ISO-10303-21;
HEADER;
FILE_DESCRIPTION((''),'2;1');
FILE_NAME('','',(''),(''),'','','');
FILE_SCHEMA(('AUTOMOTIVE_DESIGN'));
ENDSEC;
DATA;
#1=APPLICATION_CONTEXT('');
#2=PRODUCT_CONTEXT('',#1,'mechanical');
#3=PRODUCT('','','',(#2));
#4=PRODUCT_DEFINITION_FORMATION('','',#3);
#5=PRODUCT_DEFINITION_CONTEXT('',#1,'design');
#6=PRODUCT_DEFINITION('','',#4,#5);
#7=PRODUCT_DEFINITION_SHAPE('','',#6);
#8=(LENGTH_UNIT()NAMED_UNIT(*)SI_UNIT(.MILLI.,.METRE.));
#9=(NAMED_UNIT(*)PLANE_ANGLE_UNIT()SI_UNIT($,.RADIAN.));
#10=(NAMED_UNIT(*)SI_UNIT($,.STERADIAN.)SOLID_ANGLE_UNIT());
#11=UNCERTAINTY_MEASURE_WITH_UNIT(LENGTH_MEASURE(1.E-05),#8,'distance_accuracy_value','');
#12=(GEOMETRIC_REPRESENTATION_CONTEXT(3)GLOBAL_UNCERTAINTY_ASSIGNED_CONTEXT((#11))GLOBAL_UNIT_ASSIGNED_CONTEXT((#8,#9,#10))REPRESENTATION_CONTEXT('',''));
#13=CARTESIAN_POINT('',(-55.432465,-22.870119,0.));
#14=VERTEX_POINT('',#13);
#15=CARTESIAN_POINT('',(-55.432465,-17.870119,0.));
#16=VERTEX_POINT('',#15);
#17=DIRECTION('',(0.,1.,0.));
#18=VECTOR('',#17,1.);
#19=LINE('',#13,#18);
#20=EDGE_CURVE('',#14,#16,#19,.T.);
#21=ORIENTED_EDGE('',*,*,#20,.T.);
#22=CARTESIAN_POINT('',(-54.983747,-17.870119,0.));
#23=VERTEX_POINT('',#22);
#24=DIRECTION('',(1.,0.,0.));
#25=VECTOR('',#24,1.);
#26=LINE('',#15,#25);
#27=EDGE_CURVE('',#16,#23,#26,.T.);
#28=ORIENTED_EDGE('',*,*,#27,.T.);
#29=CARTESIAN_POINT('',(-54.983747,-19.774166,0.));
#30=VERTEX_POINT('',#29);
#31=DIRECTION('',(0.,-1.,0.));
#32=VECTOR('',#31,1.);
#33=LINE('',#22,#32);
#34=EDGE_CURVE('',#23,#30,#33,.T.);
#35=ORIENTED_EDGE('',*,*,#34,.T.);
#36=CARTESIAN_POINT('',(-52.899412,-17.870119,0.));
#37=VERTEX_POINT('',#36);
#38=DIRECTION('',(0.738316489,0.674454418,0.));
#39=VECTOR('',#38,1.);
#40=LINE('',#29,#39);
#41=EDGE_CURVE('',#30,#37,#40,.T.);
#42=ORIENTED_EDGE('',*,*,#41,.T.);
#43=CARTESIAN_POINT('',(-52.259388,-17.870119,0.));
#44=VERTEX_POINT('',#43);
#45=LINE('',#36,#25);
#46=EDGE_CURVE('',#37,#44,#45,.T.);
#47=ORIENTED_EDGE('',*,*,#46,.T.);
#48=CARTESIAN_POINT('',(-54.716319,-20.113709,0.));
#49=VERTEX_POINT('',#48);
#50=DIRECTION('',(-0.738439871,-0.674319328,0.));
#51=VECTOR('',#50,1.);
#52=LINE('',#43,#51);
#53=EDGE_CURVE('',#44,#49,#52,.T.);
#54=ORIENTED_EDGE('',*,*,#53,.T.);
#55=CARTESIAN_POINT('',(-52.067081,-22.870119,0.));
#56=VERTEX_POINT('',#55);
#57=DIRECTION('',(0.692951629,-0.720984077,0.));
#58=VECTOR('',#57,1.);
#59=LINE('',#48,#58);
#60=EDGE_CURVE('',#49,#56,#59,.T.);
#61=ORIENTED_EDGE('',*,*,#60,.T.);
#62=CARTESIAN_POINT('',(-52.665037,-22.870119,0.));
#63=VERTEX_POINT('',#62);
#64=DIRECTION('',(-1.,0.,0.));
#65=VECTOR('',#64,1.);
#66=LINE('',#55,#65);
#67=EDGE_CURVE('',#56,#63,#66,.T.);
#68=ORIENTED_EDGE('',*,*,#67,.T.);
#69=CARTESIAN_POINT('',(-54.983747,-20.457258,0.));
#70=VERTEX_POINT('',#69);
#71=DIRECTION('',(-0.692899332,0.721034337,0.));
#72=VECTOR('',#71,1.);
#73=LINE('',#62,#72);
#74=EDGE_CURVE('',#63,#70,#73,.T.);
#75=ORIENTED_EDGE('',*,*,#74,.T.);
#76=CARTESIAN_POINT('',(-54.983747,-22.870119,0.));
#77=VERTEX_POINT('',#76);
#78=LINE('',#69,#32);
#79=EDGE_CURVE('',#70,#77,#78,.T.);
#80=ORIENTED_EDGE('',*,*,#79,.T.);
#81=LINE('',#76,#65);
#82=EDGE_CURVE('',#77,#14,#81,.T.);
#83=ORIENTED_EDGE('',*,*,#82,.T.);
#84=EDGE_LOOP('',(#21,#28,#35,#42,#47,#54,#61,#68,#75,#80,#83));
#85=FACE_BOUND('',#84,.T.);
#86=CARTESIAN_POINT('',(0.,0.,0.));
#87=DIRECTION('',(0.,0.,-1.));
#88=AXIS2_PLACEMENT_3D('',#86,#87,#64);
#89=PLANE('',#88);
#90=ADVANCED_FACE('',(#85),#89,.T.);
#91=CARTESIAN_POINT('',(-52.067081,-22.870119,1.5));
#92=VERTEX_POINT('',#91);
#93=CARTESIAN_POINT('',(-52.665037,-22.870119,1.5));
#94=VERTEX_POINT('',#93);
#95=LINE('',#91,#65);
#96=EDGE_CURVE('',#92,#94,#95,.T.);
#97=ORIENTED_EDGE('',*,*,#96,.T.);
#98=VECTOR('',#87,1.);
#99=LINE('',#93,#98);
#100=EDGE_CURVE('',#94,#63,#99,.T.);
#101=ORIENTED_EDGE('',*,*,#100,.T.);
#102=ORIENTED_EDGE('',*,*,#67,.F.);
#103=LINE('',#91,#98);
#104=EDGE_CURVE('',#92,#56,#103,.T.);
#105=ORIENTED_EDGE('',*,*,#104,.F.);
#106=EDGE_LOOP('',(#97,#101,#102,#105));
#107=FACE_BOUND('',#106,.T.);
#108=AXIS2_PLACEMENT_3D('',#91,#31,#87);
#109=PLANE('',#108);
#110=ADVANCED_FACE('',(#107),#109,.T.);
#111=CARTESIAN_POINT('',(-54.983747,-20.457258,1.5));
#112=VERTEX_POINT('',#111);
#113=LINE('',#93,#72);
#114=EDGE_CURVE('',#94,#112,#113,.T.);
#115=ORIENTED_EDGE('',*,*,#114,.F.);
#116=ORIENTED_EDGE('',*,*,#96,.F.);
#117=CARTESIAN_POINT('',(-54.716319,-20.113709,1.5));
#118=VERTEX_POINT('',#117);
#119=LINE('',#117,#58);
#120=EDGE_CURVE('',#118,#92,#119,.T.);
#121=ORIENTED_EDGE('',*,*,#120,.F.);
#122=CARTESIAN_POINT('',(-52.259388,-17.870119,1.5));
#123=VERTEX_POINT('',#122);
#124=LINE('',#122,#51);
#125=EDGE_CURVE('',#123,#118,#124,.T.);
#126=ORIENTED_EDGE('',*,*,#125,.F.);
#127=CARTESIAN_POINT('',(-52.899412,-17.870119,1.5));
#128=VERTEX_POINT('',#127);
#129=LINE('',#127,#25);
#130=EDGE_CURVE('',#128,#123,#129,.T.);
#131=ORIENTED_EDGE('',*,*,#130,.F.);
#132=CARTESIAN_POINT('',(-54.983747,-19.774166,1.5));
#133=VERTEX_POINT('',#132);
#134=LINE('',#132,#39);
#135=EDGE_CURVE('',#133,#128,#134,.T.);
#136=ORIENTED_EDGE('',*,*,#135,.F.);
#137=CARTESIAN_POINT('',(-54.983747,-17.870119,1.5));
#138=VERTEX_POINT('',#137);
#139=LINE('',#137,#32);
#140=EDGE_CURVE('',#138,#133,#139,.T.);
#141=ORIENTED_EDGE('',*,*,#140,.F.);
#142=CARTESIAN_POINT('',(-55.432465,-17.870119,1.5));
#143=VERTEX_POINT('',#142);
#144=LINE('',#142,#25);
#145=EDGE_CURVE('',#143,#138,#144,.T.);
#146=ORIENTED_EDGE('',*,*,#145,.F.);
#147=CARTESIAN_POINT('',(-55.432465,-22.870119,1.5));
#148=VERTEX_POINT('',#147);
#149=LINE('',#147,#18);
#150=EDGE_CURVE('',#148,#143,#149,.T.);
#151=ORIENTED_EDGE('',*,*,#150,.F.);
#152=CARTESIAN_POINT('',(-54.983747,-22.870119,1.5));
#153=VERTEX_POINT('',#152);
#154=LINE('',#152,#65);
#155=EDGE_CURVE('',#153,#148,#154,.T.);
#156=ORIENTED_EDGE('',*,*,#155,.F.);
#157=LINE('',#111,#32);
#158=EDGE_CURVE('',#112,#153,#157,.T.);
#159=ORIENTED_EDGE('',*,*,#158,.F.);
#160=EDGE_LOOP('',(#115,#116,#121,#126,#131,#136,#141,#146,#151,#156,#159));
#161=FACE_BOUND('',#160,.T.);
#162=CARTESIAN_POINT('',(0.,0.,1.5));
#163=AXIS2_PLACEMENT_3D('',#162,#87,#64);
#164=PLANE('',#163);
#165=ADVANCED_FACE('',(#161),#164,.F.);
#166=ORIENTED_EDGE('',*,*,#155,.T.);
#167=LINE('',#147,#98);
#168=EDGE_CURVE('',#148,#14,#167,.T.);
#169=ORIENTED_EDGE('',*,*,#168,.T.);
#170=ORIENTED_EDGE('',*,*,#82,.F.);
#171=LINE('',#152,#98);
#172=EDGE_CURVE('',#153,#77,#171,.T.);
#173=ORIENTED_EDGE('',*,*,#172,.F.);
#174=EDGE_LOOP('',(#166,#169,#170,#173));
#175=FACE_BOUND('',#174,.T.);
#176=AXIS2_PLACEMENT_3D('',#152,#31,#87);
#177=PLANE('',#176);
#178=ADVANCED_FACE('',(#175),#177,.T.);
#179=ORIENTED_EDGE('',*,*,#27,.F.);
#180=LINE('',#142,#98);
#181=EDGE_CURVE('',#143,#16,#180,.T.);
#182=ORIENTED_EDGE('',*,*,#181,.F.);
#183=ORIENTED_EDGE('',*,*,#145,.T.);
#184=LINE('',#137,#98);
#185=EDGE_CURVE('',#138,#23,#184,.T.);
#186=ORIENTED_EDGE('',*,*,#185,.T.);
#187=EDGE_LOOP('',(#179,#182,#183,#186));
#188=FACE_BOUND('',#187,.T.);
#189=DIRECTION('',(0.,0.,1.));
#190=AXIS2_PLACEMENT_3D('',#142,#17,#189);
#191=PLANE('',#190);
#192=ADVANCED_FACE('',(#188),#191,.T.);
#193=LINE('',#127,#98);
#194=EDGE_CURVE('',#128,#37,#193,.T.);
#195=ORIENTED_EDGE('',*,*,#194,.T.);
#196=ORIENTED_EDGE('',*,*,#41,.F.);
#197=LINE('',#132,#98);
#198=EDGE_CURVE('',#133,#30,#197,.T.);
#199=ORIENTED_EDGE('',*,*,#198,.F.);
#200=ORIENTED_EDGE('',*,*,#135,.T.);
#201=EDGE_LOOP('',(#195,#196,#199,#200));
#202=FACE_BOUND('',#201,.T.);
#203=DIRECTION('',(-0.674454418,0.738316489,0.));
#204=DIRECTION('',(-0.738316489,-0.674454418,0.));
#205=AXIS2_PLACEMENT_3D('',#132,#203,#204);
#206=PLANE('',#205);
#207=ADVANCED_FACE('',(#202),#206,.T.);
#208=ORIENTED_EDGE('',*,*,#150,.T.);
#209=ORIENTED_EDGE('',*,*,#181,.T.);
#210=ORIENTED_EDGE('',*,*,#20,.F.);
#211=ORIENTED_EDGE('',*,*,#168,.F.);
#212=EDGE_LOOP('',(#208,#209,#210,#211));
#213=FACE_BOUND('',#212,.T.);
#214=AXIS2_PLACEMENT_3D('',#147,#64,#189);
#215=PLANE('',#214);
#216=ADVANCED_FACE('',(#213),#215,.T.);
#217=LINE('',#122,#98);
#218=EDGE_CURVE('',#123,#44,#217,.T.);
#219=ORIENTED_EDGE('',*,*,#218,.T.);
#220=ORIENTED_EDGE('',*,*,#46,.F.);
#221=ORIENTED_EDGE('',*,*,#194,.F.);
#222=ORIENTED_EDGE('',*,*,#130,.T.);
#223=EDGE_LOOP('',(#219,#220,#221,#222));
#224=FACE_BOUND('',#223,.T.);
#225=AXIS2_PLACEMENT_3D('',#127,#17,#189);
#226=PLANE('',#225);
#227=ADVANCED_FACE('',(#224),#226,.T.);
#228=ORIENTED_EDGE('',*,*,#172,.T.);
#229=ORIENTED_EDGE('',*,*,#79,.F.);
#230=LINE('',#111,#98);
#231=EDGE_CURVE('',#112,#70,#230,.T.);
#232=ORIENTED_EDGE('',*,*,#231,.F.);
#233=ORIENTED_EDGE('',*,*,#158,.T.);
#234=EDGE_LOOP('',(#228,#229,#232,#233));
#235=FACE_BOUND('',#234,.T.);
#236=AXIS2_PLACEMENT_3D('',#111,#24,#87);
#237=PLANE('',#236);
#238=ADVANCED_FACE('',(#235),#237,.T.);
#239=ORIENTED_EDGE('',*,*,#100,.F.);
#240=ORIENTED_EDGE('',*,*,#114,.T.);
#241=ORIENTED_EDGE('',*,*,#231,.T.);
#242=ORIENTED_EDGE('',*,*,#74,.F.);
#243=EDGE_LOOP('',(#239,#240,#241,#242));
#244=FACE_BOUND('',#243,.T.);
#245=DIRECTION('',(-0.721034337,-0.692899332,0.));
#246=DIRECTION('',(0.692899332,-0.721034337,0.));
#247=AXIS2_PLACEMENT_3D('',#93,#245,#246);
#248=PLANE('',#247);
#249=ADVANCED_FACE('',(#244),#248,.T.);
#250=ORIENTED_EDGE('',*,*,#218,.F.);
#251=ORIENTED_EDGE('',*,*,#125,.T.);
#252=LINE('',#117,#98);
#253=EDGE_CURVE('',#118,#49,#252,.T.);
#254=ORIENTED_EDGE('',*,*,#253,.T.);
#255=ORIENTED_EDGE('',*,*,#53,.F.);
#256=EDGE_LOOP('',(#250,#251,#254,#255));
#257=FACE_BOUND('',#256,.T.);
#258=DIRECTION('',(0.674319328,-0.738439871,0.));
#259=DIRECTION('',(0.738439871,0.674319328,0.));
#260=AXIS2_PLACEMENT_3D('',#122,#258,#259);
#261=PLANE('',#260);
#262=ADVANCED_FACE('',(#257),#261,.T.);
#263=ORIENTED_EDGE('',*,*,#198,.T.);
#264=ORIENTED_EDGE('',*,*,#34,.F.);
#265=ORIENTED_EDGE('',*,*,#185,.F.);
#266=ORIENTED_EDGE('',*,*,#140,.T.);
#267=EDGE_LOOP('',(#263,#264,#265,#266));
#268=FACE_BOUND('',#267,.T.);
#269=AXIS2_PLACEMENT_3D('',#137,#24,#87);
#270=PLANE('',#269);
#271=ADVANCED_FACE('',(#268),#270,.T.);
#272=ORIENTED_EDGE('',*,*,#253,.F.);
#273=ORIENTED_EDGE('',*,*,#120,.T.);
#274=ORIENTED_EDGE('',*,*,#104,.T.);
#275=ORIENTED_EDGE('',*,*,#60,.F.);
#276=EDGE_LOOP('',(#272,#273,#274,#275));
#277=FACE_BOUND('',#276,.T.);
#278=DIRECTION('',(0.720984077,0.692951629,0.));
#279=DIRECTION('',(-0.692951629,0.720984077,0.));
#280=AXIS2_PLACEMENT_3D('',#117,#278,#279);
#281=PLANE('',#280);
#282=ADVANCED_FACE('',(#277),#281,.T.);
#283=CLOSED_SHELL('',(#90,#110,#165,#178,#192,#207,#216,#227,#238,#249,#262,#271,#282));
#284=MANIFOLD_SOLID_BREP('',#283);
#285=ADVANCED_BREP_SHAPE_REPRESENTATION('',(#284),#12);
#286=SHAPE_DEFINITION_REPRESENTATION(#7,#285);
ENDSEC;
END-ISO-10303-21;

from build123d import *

# Parameters (mm, degrees)
BOSS_EXTRU_1_DEPTH = 1.5


with BuildPart() as part:
    # Esquisse1 → Boss.-Extru.1 (new body)
    with BuildSketch(Plane.XY):
        Polygon((-55.432465326, -17.870119076), (-54.983747377, -17.870119076), (-54.983747377, -19.774165551), (-52.899412441, -17.870119076), (-52.259388403, -17.870119076), (-54.716319493, -20.11370882), (-52.06708071, -22.870119076), (-52.665037441, -22.870119076), (-54.983747377, -20.457258499), (-54.983747377, -22.870119076), (-55.432465326, -22.870119076), align=None)
    extrude(amount=BOSS_EXTRU_1_DEPTH)


solid = part.part
